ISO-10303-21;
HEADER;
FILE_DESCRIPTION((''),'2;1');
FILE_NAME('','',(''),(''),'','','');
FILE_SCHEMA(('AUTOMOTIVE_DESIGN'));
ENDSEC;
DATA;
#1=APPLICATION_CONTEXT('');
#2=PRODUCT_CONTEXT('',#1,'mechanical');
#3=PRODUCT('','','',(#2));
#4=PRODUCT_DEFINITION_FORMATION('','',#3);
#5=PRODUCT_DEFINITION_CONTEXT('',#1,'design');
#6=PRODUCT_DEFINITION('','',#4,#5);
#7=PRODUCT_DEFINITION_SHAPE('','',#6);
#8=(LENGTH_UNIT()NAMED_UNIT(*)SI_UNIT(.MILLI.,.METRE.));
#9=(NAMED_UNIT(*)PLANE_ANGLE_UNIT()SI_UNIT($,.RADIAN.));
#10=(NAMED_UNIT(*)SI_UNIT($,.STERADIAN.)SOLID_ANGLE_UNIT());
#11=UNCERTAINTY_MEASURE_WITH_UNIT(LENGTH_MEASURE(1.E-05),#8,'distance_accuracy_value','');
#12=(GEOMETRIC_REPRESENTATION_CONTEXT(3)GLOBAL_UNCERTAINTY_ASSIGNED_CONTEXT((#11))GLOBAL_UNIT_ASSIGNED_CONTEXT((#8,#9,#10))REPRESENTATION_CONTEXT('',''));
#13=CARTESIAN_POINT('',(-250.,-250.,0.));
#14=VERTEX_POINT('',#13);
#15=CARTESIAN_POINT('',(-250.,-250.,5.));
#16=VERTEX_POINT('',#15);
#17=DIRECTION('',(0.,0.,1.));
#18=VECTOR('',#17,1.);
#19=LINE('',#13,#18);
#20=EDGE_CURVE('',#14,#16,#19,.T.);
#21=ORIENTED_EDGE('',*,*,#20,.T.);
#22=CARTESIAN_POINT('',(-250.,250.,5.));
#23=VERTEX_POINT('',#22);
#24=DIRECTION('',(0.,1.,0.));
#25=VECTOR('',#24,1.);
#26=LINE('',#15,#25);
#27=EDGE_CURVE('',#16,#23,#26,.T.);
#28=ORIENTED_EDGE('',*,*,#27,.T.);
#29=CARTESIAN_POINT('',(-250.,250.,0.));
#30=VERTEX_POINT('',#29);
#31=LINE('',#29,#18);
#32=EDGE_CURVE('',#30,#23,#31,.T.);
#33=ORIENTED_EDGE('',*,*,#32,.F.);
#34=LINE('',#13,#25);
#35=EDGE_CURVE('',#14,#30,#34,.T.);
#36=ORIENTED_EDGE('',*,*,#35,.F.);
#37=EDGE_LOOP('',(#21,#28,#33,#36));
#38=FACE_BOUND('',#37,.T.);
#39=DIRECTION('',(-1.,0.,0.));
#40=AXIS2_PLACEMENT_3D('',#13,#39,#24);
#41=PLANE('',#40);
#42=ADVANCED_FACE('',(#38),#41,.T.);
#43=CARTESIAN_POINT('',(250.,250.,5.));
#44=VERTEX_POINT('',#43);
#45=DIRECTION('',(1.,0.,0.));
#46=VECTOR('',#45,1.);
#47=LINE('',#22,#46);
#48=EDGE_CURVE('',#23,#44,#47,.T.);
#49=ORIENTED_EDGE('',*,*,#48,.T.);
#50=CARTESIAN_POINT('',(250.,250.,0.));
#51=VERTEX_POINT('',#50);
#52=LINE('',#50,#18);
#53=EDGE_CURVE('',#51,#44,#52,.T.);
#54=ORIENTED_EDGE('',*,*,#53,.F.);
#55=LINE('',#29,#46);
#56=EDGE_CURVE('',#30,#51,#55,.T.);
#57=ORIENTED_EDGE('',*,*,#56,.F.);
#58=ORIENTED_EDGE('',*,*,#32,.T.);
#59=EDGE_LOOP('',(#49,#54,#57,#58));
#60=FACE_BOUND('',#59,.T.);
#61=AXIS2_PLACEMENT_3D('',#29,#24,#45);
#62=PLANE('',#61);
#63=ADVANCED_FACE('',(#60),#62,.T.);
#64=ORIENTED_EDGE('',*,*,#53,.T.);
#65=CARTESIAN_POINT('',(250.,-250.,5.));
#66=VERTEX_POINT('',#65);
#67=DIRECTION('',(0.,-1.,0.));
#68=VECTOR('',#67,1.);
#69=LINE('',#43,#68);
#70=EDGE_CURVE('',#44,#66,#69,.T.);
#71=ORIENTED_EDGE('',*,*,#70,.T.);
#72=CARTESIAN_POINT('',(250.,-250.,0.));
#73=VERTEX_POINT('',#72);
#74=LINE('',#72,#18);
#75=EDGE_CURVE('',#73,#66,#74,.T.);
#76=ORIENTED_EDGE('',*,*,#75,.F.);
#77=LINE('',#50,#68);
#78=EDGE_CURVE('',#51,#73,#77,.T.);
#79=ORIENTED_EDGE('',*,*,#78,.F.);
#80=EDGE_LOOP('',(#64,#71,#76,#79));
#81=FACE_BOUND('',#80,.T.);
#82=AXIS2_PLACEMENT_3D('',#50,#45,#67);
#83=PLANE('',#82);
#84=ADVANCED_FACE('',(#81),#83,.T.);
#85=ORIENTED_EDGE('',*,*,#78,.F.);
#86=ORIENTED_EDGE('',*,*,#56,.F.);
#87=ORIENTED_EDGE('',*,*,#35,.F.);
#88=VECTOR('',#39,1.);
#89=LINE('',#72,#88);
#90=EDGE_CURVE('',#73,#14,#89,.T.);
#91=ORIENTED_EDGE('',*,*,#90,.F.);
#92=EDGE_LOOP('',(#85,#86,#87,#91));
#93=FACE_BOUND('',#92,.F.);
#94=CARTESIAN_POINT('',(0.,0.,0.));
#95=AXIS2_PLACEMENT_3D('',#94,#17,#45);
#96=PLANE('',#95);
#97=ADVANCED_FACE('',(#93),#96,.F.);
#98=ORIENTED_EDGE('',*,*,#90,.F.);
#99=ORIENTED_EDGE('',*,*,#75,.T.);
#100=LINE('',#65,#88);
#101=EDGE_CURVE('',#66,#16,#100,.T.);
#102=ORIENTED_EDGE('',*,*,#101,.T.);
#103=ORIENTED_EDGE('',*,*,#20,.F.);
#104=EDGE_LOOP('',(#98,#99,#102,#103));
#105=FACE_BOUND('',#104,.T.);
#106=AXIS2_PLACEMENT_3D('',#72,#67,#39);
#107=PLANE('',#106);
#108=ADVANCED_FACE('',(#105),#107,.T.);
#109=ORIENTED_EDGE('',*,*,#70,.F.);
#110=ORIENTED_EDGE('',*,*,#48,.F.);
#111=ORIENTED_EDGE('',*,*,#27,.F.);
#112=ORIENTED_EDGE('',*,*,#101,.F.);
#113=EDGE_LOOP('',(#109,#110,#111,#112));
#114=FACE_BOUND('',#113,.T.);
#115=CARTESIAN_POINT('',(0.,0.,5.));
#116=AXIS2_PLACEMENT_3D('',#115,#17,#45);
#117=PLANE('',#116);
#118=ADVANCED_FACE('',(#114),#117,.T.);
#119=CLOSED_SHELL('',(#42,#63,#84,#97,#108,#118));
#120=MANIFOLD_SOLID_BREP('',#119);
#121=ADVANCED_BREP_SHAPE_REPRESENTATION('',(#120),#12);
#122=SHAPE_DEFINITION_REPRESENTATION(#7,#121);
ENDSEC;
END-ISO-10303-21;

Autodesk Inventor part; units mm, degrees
ref_plane "YZ Plane" through (0, 0, 0) normal (1, 0, 0) x (0, 1, 0)
ref_plane "XZ Plane" through (0, 0, 0) normal (0, 1, 0) x (-1, 0, 0)
ref_plane "XY Plane" through (0, 0, 0) normal (0, 0, 1) x (1, 0, 0)
sketch "Sketch1" plane through (0, 0, 0) normal (0, 0, 1) x (1, 0, 0)
  line L0 (-250, 250) -> (250, 250)
  line L1 (250, 250) -> (250, -250)
  line L2 (250, -250) -> (-250, -250)
  line L3 (-250, -250) -> (-250, 250)
  line L4 (-250, 250) -> (250, -250) construction
  line L5 (250, 250) -> (-250, -250) construction
  point P0 (0, 0)
  dimension "d0" = 500
  dimension "d1" = 500
extrude "Extrusion1" add sketch "Sketch1" along normal blind 5
properties part number "base"
